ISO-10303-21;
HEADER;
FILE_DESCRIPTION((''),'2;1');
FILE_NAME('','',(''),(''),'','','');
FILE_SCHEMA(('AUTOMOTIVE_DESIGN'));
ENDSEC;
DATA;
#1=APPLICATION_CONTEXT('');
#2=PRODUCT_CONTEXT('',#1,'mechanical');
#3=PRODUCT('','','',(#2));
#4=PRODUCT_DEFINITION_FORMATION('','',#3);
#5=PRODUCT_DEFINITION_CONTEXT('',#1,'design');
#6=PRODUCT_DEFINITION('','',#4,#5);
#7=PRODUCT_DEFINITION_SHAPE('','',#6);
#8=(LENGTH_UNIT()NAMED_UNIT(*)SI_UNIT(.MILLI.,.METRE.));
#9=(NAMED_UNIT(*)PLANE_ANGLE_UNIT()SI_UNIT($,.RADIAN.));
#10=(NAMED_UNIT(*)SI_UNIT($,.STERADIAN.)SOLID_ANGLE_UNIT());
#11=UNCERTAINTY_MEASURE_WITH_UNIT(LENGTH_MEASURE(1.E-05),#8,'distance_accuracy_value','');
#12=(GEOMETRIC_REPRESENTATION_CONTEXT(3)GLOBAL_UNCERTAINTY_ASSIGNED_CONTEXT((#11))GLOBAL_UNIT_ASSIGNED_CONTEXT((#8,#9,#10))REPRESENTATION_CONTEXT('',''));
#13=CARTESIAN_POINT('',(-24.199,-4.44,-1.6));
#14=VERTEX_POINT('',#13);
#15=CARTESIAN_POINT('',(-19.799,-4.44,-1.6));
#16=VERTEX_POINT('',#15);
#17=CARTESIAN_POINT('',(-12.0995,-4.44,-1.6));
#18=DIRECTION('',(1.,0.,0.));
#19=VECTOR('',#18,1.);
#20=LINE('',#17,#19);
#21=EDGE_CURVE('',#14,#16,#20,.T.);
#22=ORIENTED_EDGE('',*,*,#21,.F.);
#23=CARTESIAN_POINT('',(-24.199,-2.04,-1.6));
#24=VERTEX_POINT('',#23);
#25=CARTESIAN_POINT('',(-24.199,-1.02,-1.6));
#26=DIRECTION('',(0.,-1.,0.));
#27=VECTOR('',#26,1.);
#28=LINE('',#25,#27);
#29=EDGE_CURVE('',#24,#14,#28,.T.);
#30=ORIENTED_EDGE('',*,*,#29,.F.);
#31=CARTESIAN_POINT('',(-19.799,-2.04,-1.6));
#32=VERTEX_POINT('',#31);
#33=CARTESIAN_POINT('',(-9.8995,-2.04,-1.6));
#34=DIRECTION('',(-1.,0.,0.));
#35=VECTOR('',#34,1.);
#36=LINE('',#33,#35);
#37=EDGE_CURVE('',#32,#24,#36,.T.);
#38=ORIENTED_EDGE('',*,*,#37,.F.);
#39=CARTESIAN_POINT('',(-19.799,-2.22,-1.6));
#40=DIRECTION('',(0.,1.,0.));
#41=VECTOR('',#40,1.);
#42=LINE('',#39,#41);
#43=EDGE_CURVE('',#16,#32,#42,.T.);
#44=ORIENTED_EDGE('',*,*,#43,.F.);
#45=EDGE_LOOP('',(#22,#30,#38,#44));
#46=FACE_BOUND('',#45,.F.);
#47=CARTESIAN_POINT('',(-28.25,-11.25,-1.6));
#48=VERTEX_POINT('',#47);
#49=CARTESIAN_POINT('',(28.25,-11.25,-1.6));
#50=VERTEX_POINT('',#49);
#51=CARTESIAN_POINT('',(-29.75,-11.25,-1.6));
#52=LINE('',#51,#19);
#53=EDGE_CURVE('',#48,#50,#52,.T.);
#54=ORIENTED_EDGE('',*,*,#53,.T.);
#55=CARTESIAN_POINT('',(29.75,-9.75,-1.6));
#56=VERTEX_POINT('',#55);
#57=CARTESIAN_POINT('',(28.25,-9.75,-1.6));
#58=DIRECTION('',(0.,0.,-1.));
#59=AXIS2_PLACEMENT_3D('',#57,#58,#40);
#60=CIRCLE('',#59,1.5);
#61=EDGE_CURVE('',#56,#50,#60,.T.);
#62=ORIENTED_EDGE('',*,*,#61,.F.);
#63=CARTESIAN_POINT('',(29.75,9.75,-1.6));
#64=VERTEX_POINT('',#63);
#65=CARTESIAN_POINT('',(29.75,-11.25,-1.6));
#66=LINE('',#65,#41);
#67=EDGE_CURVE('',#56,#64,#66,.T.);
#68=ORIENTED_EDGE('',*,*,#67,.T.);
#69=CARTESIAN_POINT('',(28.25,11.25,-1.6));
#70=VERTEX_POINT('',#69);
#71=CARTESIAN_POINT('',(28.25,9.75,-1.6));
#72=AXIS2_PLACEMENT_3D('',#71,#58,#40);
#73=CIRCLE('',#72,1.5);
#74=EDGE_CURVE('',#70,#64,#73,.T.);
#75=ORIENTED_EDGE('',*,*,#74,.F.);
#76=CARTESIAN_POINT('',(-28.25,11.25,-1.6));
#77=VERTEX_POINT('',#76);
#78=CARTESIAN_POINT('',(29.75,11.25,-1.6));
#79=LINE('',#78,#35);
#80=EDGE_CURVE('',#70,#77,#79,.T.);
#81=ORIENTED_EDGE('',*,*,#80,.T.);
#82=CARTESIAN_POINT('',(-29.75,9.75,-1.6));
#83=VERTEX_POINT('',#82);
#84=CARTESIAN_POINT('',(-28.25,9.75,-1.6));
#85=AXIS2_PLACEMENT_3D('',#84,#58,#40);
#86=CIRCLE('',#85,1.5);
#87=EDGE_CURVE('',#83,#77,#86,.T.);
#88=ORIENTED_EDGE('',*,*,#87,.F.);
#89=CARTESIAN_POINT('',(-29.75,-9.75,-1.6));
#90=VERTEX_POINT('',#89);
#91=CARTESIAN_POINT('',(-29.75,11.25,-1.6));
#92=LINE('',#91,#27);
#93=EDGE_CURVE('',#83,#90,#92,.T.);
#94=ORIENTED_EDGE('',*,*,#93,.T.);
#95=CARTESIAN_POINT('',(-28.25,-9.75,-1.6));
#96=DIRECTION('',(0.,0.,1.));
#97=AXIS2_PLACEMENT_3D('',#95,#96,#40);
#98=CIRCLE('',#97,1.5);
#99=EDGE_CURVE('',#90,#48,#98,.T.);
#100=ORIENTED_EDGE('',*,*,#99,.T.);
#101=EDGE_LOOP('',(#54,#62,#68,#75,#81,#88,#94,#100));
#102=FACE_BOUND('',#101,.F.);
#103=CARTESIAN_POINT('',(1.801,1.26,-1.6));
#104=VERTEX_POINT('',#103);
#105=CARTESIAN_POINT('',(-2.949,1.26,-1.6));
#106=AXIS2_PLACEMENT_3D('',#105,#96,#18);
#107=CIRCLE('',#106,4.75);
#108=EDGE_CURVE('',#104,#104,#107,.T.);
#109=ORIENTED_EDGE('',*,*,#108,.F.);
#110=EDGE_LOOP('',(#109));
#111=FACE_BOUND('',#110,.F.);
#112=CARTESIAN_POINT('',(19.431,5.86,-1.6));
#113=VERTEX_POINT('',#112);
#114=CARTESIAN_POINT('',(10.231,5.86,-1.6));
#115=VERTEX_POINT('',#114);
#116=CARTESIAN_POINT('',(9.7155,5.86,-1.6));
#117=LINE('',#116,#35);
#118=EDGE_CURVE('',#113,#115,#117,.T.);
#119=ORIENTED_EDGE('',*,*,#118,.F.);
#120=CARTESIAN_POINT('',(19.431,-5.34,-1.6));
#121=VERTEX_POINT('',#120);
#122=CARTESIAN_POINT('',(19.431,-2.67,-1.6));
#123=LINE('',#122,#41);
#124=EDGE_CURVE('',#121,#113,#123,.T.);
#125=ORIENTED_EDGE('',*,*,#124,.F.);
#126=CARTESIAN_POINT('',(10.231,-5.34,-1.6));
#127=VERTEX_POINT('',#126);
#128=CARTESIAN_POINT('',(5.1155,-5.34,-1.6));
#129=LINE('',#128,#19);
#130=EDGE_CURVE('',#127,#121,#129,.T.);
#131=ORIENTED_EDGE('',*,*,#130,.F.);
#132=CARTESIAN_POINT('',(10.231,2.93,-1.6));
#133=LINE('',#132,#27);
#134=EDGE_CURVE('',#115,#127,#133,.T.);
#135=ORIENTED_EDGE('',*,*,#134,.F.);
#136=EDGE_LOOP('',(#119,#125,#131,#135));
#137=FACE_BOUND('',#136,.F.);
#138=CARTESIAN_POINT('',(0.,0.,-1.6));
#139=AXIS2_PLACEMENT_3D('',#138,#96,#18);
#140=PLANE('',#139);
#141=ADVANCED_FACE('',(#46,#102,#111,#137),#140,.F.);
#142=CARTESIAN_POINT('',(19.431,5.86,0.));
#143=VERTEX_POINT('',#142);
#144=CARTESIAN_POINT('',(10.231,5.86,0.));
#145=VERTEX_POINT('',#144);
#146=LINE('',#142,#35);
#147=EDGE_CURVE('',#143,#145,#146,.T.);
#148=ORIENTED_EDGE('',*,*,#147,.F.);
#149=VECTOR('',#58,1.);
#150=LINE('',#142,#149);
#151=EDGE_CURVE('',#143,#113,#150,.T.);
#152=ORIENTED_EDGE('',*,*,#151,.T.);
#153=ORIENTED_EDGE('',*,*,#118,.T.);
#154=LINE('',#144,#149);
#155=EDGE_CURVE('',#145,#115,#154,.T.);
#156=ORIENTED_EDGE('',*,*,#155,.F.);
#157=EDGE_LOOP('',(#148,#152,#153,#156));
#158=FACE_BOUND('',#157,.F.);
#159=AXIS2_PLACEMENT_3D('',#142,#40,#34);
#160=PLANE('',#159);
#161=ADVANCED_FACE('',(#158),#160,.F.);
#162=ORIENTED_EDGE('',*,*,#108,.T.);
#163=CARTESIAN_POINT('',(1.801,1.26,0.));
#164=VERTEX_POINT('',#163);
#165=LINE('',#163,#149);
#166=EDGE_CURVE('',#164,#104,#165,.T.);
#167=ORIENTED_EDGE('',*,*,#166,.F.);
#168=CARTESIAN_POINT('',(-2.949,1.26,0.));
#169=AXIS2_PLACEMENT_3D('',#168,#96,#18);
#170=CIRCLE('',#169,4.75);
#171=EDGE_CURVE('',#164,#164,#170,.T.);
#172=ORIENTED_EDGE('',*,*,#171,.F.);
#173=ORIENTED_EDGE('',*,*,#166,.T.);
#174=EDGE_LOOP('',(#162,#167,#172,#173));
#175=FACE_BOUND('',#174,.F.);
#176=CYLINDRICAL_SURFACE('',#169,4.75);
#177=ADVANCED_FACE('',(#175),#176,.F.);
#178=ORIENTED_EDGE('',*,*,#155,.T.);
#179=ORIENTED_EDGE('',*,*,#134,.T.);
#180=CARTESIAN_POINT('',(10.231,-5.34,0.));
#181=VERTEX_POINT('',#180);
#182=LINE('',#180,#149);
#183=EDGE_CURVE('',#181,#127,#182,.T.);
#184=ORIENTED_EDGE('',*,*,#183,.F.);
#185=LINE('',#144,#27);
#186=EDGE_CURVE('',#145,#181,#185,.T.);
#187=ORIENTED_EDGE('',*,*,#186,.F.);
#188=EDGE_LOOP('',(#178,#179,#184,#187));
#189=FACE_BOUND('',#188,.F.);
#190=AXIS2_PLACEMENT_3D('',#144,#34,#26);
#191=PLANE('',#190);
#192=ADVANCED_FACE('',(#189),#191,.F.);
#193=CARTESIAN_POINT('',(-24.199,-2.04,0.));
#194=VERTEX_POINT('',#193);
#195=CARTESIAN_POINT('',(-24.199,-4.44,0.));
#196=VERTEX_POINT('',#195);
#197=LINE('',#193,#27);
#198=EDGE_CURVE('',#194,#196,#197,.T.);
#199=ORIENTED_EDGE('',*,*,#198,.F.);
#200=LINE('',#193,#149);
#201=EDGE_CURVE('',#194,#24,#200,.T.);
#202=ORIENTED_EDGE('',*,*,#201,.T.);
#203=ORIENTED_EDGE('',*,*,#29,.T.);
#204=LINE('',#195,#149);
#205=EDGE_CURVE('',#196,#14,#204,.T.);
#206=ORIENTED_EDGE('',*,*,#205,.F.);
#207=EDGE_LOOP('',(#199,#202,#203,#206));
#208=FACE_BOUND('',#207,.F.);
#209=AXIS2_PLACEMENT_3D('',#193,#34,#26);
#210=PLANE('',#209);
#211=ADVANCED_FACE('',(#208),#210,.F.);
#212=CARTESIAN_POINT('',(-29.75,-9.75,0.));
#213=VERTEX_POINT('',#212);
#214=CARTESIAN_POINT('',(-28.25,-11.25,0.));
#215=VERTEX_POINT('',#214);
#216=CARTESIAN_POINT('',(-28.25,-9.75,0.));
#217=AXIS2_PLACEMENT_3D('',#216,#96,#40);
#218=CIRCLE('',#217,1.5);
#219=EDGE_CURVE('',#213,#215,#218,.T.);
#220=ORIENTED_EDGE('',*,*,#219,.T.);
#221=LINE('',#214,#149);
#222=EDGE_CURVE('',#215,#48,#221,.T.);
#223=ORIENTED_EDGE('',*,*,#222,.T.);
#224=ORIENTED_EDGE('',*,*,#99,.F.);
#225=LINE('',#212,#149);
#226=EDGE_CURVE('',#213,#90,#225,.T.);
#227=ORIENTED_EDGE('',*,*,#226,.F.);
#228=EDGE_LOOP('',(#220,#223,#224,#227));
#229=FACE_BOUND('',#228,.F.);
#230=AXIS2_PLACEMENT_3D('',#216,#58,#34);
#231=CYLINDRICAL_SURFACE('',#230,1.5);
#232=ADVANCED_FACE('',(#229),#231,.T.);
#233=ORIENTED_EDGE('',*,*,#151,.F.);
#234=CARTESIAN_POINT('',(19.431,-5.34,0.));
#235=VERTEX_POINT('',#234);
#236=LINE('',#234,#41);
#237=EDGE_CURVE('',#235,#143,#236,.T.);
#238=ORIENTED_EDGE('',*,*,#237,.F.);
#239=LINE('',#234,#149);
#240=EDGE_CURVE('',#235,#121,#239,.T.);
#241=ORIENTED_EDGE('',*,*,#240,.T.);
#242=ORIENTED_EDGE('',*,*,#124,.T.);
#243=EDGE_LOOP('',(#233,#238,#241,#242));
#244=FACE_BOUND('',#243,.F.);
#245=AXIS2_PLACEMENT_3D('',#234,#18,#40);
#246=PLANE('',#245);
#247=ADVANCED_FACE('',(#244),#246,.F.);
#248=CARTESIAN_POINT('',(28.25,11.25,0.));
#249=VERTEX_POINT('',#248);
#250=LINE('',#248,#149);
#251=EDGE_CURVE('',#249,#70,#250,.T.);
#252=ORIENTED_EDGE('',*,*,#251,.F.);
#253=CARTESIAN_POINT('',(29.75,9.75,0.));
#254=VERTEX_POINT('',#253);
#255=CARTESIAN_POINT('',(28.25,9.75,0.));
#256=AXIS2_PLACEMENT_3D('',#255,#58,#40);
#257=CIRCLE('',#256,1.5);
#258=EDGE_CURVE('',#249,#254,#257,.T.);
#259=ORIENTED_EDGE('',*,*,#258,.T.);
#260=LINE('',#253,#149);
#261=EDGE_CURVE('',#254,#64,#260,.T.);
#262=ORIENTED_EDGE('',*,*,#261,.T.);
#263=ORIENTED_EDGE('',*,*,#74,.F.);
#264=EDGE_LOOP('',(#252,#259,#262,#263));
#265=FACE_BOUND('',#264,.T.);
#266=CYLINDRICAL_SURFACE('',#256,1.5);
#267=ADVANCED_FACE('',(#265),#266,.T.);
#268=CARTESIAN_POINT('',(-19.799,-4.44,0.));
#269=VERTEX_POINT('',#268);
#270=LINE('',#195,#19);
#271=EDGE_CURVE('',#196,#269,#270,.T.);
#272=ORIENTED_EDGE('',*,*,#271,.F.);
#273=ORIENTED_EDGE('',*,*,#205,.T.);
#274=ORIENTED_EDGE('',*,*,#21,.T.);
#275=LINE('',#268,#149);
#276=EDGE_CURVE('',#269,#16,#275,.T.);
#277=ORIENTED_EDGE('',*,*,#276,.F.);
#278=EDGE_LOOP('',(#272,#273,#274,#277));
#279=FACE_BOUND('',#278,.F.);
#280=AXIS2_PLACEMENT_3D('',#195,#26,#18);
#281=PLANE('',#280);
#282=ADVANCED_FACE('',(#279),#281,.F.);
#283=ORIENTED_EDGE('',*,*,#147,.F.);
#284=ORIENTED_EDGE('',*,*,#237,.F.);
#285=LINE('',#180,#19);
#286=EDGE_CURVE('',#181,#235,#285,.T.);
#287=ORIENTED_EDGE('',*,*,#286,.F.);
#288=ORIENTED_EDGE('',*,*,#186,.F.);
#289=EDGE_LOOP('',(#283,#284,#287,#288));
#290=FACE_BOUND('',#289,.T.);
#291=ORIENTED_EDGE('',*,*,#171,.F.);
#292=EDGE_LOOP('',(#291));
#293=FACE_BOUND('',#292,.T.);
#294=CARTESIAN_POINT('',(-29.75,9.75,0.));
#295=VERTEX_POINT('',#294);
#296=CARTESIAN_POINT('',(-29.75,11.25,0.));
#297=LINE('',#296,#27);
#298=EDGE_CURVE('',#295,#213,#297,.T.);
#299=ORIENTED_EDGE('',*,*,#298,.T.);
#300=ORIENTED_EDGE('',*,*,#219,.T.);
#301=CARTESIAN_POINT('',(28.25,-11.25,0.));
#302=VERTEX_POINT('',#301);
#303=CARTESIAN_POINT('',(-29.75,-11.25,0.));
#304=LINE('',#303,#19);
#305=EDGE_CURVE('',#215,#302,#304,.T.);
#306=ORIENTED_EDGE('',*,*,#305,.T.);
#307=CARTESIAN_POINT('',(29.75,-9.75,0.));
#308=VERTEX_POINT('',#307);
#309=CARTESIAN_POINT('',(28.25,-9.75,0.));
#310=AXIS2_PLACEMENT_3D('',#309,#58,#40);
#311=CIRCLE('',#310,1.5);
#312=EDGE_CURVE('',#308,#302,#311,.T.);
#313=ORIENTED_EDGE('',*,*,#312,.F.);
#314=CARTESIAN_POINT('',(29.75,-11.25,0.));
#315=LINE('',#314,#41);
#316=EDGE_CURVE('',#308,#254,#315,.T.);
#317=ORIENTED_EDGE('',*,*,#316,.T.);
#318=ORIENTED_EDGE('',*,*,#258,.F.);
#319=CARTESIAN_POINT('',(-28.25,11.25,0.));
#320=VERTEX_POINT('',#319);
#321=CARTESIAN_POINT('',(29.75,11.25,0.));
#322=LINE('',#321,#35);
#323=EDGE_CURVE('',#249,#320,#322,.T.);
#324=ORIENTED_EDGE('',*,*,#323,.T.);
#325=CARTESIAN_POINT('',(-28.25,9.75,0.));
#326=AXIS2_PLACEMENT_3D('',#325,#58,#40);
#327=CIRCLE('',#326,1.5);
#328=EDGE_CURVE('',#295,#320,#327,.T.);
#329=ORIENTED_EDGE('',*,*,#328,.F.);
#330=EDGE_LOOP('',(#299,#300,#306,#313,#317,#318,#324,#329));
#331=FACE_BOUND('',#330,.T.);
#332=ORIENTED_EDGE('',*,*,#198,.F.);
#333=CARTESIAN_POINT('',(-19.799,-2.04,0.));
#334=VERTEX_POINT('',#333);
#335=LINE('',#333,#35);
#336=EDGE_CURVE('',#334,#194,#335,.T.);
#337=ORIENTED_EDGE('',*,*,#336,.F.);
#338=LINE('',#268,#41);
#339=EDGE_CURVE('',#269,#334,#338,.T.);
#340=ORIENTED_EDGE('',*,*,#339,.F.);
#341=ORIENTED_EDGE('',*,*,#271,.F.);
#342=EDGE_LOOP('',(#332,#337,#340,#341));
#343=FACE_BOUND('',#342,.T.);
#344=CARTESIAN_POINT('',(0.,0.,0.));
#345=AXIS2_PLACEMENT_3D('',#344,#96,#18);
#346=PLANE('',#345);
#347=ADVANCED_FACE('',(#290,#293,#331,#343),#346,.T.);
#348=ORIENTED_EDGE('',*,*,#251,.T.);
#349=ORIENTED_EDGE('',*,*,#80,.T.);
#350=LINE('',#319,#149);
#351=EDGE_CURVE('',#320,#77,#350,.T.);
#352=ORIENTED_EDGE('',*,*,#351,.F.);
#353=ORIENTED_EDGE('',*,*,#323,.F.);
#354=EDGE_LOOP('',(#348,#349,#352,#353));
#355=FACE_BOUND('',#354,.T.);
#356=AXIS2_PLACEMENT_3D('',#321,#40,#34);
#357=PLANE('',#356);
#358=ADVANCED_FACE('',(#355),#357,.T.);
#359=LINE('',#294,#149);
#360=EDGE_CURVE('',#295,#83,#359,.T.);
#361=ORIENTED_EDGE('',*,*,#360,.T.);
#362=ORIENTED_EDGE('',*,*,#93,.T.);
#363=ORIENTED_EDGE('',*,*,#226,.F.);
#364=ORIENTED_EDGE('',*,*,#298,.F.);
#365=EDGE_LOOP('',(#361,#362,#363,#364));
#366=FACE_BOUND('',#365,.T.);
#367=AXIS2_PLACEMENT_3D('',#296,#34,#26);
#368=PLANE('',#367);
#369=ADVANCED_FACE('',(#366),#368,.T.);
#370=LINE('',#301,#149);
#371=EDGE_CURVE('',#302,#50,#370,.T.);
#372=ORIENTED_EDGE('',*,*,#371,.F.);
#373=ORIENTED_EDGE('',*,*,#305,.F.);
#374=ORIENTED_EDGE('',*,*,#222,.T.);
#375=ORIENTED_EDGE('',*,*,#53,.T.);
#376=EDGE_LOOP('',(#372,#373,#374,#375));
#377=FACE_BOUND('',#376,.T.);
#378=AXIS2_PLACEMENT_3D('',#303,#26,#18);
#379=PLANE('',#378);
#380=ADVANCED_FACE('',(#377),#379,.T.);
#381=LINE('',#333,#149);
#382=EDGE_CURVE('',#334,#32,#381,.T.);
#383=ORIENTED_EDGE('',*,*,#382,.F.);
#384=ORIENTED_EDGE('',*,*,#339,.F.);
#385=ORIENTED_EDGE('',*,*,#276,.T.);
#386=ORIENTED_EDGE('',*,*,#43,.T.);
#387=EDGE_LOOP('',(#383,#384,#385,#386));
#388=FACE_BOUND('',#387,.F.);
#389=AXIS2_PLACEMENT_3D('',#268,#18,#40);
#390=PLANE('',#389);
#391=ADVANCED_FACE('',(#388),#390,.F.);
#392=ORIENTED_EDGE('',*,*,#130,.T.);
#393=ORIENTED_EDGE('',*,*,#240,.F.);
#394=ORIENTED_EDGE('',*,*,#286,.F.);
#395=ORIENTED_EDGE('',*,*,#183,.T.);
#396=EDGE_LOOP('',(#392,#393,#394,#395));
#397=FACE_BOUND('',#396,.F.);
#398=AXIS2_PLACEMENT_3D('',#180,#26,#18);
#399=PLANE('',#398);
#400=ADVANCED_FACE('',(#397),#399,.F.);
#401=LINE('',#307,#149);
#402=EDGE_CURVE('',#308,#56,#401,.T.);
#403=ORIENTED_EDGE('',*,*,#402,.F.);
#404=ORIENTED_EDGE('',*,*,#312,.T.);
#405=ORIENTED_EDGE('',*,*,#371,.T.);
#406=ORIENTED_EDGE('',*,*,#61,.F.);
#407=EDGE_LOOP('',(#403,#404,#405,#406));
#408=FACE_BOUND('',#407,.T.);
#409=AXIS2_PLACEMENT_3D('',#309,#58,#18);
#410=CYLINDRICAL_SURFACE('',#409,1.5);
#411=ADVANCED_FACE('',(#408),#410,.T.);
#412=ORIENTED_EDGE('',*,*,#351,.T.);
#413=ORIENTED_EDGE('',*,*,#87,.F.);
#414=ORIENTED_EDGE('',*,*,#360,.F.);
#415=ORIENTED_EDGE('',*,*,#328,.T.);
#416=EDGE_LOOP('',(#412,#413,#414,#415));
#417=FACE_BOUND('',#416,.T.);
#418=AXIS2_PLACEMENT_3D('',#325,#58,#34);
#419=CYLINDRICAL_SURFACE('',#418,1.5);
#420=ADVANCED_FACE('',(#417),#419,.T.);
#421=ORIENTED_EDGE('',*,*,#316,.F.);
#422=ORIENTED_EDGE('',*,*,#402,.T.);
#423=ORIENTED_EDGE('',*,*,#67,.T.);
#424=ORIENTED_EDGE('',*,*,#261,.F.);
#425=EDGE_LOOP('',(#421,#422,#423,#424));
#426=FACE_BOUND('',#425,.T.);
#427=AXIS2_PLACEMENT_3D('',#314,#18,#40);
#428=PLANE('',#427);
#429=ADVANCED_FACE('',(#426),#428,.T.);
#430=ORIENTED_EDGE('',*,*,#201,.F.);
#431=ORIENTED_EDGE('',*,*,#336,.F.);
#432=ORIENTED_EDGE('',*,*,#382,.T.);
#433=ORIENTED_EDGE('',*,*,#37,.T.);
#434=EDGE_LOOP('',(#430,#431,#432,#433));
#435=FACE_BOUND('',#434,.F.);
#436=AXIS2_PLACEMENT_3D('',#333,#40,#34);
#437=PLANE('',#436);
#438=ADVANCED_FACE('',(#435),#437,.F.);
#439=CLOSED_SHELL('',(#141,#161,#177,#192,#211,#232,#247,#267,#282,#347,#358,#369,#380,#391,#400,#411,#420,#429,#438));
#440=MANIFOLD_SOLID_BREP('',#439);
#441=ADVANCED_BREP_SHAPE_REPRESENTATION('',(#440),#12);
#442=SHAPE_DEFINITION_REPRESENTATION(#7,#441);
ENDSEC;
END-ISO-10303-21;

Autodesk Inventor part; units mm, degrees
ref_plane "YZ Plane" through (0, 0, 0) normal (1, 0, 0) x (0, 1, 0)
ref_plane "XZ Plane" through (0, 0, 0) normal (0, 1, 0) x (-1, 0, 0)
ref_plane "XY Plane" through (0, 0, 0) normal (0, 0, 1) x (1, 0, 0)
sketch "Sketch1" plane through (0, 0, 0) normal (0, 0, 1) x (1, 0, 0)
  line L0 (-29.75, -11.25) -> (29.75, -11.25)
  line L1 (29.75, -11.25) -> (29.75, 11.25)
  line L2 (29.75, 11.25) -> (-29.75, 11.25)
  line L3 (-29.75, 11.25) -> (-29.75, -11.25)
  line L4 (-29.75, -11.25) -> (29.75, 11.25) construction
  line L5 (29.75, -11.25) -> (-29.75, 11.25) construction
  point P0 (0, 0)
  dimension "d0" = 59.5
  dimension "d1" = 22.5
extrude "Extrusion1" add sketch "Sketch1" against normal blind 1.6
fillet "Fillet1" radius 1.5 4 edges at (29.75, 11.25, -0.8) (29.75, -11.25, -0.8) (-29.75, 11.25, -0.8) (-29.75, -11.25, -0.8)
sketch "Sketch2" plane through (0, 0, 0) normal (0, 0, 1) x (1, 0, 0)
  circle A0 centre (-2.949, 1.26) radius 4.75
  line L0 (-28.25, -11.25) -> (28.25, -11.25) projected
  line L1 (-29.75, 9.75) -> (-29.75, -9.75) projected
  line L2 (-24.199, -4.44) -> (-19.799, -4.44)
  line L3 (-19.799, -4.44) -> (-19.799, -2.04)
  line L4 (-19.799, -2.04) -> (-24.199, -2.04)
  line L5 (-24.199, -2.04) -> (-24.199, -4.44)
  line L6 (-24.199, -4.44) -> (-19.799, -2.04) construction
  line L7 (-19.799, -4.44) -> (-24.199, -2.04) construction
  point P0 (0, 0)
  point P1 (-28.349, -5.24)
  point P2 (-21.999, -3.24)
  dimension "d5" = 9.5
  dimension "d15" = 12.51
  dimension "d16" = 26.801
  dimension "d17" = 6.01
  dimension "d18" = 1.401
  dimension "d19" = 4.4
  dimension "d20" = 2.4
  dimension "d21" = 6.35
  dimension "d22" = 2
extrude "Extrusion2" cut sketch "Sketch2" against normal through all
sketch "Sketch4" plane through (0, 0, 0) normal (0, 0, 1) x (1, 0, 0)
  line L0 (-28.25, -11.25) -> (28.25, -11.25) projected
  line L1 (-29.75, 9.75) -> (-29.75, -9.75) projected
  line L2 (10.231, -5.34) -> (19.431, -5.34)
  line L3 (19.431, -5.34) -> (19.431, 5.86)
  line L4 (19.431, 5.86) -> (10.231, 5.86)
  line L5 (10.231, 5.86) -> (10.231, -5.34)
  line L6 (10.231, -5.34) -> (19.431, 5.86) construction
  line L7 (19.431, -5.34) -> (10.231, 5.86) construction
  point P0 (0, 0)
  point P1 (-28.349, -5.24)
  point P2 (14.831, 0.26)
  dimension "d23" = 6.01
  dimension "d24" = 1.401
  dimension "d25" = 9.2
  dimension "d26" = 11.2
  dimension "d28" = 43.18
  dimension "d29" = 0.1
extrude "Extrusion4" cut sketch "Sketch4" against normal through all
properties part number "rearPlate_jack"
